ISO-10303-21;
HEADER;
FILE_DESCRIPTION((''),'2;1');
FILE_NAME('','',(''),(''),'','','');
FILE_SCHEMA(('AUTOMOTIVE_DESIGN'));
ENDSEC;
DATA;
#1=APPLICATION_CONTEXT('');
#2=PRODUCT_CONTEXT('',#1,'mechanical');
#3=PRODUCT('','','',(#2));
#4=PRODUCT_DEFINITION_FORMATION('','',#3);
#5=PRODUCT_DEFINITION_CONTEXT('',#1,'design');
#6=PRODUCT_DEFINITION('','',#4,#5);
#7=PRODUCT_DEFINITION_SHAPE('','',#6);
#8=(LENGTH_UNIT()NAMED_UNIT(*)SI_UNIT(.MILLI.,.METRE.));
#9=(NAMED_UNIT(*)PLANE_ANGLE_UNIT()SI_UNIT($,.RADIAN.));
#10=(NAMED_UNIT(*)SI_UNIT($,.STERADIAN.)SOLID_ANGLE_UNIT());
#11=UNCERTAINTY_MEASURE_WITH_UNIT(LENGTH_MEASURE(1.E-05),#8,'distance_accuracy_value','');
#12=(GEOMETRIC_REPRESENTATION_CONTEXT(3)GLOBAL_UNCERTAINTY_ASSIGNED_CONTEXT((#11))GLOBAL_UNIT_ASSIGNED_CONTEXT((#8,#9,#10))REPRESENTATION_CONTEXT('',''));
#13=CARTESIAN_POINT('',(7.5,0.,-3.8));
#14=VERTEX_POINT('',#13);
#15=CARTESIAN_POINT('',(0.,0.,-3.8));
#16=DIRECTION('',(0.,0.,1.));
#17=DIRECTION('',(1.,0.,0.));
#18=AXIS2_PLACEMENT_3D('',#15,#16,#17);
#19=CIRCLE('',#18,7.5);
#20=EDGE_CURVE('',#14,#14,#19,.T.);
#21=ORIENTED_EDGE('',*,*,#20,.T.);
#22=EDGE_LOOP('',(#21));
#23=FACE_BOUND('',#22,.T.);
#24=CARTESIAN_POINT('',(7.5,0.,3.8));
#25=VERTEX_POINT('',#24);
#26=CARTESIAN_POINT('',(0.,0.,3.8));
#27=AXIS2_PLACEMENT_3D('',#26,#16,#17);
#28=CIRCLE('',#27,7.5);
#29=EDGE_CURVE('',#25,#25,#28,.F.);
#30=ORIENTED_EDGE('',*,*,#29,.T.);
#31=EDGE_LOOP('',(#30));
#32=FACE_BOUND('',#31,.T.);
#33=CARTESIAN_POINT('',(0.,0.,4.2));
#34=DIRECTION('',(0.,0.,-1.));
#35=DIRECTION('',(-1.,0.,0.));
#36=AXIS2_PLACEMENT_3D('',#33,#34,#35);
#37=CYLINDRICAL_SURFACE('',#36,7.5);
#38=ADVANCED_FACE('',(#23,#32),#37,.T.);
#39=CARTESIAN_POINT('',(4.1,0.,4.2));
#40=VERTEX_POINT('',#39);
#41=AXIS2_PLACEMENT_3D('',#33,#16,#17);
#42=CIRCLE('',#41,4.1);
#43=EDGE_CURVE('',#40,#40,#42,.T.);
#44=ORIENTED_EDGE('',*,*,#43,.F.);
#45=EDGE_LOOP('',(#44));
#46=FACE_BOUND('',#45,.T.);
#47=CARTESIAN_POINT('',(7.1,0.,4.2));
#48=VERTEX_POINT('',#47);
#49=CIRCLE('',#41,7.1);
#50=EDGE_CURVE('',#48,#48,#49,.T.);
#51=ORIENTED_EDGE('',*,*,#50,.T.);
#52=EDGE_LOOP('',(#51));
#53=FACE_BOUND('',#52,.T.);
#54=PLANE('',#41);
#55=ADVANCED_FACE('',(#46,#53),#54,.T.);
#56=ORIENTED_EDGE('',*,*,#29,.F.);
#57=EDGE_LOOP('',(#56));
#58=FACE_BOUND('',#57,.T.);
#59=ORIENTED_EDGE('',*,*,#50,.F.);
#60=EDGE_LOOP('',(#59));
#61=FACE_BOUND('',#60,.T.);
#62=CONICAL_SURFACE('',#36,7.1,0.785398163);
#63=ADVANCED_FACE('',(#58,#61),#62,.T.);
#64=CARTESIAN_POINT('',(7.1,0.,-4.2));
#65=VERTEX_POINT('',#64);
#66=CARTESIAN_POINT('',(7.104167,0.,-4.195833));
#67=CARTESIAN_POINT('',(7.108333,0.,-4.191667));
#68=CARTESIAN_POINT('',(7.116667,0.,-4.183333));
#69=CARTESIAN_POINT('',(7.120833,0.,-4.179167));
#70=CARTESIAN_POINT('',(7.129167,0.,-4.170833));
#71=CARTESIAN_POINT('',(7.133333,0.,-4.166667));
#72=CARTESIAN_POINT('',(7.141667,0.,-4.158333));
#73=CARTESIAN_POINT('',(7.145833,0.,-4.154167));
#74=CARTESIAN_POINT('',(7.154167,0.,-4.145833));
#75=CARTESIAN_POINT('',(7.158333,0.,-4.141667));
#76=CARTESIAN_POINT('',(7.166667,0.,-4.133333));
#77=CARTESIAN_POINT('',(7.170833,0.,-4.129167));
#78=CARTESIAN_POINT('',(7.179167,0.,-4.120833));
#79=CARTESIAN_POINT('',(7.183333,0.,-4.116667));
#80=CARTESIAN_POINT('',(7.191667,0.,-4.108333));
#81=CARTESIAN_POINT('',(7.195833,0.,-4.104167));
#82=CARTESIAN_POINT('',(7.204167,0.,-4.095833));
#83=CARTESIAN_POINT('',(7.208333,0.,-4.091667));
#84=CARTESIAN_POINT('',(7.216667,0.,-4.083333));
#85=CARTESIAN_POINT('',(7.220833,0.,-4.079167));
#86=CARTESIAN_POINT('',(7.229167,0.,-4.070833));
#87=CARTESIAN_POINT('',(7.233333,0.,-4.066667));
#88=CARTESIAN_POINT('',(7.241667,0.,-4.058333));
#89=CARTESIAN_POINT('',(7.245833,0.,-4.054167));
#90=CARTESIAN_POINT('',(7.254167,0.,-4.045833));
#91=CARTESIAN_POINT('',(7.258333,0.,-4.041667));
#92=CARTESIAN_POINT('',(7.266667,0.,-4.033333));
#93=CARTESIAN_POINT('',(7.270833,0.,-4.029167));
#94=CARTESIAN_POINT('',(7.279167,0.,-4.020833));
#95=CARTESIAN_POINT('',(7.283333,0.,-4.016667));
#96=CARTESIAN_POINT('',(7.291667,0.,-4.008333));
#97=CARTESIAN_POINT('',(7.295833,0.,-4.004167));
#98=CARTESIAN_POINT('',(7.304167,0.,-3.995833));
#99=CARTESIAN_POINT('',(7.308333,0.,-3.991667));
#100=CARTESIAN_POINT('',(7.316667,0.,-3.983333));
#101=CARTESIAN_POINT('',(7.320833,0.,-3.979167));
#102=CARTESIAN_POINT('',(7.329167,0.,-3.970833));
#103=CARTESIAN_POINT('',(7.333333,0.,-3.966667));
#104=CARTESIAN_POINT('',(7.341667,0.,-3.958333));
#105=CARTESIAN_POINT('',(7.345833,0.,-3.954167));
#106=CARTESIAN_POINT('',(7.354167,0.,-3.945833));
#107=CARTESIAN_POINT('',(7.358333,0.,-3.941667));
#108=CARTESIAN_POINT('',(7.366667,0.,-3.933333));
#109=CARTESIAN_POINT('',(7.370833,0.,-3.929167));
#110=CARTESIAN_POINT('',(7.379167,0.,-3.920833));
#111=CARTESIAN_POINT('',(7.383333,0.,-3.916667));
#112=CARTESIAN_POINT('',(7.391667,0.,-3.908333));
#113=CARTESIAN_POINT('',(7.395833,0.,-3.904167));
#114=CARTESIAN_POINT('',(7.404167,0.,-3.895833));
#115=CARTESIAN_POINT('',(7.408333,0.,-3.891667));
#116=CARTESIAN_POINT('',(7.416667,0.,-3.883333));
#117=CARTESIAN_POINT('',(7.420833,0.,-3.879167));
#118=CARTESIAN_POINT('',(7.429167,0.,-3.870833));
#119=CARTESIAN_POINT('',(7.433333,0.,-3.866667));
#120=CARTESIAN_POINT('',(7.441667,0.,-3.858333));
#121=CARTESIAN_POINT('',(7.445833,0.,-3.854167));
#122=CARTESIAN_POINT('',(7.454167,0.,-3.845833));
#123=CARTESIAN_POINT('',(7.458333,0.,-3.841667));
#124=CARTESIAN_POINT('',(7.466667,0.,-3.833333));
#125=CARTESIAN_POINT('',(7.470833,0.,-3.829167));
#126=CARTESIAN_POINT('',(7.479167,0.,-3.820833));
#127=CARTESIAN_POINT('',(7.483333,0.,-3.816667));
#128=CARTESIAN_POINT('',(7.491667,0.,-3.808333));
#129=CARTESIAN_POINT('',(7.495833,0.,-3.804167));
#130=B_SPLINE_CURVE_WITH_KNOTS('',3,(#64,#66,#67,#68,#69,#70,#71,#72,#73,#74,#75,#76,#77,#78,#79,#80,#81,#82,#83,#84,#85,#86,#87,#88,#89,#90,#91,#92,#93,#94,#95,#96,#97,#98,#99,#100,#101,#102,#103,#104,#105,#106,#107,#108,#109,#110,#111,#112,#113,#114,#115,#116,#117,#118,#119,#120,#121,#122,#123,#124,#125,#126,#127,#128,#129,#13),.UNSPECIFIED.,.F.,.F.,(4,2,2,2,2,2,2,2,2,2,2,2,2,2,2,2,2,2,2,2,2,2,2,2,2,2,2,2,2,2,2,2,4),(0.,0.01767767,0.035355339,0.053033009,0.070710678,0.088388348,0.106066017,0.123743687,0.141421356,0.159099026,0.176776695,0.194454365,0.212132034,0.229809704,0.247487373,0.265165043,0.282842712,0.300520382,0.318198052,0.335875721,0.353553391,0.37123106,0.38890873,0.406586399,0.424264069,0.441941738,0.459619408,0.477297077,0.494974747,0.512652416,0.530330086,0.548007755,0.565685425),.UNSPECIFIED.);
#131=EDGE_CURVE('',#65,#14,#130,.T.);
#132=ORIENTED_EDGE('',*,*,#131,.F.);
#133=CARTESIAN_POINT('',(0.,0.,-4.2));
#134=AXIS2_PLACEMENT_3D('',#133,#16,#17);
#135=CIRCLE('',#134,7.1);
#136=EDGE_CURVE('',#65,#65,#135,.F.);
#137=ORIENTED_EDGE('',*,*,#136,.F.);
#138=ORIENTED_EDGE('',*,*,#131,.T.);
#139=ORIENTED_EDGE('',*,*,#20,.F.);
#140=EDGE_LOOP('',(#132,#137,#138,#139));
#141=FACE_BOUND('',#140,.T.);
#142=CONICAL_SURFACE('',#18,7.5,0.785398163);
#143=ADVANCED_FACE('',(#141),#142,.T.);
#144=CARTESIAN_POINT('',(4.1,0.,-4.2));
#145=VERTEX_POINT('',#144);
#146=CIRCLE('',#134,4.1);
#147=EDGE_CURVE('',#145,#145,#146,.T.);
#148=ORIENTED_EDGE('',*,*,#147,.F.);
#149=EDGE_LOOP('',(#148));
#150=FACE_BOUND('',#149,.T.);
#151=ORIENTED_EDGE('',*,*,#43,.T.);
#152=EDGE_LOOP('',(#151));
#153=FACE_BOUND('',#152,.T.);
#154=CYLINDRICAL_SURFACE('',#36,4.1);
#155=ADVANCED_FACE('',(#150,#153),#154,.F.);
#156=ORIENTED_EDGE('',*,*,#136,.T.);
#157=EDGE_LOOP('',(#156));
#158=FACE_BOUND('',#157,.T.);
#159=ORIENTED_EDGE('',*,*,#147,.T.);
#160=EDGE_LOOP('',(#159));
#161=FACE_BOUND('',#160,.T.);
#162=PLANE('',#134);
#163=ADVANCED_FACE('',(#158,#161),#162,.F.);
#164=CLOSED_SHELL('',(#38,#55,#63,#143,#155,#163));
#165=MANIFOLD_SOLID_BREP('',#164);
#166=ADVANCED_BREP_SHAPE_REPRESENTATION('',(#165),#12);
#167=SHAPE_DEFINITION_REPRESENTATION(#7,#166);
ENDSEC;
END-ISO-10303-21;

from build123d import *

# Parameters (mm, degrees)
SKETCH1_R           = 7.5
SKETCH1_R_2         = 4.1
BOSS_EXTRUDE1_DEPTH = 4.2
CHAMFER1_SIZE       = 0.4


with BuildPart() as part:
    # Sketch1 → Boss-Extrude1 (new, symmetric)
    with BuildSketch(Plane.XY):
        Circle(SKETCH1_R)
        Circle(SKETCH1_R_2, mode=Mode.SUBTRACT)
    extrude(amount=BOSS_EXTRUDE1_DEPTH, both=True)

    # Chamfer1
    chamfer1_edges = [part.edges().sort_by_distance(p)[0] for p in [
        (-7.5, 0, -4.2),
        (-7.5, 0, 4.2),
    ]]
    chamfer(chamfer1_edges, length=CHAMFER1_SIZE)


solid = part.part
